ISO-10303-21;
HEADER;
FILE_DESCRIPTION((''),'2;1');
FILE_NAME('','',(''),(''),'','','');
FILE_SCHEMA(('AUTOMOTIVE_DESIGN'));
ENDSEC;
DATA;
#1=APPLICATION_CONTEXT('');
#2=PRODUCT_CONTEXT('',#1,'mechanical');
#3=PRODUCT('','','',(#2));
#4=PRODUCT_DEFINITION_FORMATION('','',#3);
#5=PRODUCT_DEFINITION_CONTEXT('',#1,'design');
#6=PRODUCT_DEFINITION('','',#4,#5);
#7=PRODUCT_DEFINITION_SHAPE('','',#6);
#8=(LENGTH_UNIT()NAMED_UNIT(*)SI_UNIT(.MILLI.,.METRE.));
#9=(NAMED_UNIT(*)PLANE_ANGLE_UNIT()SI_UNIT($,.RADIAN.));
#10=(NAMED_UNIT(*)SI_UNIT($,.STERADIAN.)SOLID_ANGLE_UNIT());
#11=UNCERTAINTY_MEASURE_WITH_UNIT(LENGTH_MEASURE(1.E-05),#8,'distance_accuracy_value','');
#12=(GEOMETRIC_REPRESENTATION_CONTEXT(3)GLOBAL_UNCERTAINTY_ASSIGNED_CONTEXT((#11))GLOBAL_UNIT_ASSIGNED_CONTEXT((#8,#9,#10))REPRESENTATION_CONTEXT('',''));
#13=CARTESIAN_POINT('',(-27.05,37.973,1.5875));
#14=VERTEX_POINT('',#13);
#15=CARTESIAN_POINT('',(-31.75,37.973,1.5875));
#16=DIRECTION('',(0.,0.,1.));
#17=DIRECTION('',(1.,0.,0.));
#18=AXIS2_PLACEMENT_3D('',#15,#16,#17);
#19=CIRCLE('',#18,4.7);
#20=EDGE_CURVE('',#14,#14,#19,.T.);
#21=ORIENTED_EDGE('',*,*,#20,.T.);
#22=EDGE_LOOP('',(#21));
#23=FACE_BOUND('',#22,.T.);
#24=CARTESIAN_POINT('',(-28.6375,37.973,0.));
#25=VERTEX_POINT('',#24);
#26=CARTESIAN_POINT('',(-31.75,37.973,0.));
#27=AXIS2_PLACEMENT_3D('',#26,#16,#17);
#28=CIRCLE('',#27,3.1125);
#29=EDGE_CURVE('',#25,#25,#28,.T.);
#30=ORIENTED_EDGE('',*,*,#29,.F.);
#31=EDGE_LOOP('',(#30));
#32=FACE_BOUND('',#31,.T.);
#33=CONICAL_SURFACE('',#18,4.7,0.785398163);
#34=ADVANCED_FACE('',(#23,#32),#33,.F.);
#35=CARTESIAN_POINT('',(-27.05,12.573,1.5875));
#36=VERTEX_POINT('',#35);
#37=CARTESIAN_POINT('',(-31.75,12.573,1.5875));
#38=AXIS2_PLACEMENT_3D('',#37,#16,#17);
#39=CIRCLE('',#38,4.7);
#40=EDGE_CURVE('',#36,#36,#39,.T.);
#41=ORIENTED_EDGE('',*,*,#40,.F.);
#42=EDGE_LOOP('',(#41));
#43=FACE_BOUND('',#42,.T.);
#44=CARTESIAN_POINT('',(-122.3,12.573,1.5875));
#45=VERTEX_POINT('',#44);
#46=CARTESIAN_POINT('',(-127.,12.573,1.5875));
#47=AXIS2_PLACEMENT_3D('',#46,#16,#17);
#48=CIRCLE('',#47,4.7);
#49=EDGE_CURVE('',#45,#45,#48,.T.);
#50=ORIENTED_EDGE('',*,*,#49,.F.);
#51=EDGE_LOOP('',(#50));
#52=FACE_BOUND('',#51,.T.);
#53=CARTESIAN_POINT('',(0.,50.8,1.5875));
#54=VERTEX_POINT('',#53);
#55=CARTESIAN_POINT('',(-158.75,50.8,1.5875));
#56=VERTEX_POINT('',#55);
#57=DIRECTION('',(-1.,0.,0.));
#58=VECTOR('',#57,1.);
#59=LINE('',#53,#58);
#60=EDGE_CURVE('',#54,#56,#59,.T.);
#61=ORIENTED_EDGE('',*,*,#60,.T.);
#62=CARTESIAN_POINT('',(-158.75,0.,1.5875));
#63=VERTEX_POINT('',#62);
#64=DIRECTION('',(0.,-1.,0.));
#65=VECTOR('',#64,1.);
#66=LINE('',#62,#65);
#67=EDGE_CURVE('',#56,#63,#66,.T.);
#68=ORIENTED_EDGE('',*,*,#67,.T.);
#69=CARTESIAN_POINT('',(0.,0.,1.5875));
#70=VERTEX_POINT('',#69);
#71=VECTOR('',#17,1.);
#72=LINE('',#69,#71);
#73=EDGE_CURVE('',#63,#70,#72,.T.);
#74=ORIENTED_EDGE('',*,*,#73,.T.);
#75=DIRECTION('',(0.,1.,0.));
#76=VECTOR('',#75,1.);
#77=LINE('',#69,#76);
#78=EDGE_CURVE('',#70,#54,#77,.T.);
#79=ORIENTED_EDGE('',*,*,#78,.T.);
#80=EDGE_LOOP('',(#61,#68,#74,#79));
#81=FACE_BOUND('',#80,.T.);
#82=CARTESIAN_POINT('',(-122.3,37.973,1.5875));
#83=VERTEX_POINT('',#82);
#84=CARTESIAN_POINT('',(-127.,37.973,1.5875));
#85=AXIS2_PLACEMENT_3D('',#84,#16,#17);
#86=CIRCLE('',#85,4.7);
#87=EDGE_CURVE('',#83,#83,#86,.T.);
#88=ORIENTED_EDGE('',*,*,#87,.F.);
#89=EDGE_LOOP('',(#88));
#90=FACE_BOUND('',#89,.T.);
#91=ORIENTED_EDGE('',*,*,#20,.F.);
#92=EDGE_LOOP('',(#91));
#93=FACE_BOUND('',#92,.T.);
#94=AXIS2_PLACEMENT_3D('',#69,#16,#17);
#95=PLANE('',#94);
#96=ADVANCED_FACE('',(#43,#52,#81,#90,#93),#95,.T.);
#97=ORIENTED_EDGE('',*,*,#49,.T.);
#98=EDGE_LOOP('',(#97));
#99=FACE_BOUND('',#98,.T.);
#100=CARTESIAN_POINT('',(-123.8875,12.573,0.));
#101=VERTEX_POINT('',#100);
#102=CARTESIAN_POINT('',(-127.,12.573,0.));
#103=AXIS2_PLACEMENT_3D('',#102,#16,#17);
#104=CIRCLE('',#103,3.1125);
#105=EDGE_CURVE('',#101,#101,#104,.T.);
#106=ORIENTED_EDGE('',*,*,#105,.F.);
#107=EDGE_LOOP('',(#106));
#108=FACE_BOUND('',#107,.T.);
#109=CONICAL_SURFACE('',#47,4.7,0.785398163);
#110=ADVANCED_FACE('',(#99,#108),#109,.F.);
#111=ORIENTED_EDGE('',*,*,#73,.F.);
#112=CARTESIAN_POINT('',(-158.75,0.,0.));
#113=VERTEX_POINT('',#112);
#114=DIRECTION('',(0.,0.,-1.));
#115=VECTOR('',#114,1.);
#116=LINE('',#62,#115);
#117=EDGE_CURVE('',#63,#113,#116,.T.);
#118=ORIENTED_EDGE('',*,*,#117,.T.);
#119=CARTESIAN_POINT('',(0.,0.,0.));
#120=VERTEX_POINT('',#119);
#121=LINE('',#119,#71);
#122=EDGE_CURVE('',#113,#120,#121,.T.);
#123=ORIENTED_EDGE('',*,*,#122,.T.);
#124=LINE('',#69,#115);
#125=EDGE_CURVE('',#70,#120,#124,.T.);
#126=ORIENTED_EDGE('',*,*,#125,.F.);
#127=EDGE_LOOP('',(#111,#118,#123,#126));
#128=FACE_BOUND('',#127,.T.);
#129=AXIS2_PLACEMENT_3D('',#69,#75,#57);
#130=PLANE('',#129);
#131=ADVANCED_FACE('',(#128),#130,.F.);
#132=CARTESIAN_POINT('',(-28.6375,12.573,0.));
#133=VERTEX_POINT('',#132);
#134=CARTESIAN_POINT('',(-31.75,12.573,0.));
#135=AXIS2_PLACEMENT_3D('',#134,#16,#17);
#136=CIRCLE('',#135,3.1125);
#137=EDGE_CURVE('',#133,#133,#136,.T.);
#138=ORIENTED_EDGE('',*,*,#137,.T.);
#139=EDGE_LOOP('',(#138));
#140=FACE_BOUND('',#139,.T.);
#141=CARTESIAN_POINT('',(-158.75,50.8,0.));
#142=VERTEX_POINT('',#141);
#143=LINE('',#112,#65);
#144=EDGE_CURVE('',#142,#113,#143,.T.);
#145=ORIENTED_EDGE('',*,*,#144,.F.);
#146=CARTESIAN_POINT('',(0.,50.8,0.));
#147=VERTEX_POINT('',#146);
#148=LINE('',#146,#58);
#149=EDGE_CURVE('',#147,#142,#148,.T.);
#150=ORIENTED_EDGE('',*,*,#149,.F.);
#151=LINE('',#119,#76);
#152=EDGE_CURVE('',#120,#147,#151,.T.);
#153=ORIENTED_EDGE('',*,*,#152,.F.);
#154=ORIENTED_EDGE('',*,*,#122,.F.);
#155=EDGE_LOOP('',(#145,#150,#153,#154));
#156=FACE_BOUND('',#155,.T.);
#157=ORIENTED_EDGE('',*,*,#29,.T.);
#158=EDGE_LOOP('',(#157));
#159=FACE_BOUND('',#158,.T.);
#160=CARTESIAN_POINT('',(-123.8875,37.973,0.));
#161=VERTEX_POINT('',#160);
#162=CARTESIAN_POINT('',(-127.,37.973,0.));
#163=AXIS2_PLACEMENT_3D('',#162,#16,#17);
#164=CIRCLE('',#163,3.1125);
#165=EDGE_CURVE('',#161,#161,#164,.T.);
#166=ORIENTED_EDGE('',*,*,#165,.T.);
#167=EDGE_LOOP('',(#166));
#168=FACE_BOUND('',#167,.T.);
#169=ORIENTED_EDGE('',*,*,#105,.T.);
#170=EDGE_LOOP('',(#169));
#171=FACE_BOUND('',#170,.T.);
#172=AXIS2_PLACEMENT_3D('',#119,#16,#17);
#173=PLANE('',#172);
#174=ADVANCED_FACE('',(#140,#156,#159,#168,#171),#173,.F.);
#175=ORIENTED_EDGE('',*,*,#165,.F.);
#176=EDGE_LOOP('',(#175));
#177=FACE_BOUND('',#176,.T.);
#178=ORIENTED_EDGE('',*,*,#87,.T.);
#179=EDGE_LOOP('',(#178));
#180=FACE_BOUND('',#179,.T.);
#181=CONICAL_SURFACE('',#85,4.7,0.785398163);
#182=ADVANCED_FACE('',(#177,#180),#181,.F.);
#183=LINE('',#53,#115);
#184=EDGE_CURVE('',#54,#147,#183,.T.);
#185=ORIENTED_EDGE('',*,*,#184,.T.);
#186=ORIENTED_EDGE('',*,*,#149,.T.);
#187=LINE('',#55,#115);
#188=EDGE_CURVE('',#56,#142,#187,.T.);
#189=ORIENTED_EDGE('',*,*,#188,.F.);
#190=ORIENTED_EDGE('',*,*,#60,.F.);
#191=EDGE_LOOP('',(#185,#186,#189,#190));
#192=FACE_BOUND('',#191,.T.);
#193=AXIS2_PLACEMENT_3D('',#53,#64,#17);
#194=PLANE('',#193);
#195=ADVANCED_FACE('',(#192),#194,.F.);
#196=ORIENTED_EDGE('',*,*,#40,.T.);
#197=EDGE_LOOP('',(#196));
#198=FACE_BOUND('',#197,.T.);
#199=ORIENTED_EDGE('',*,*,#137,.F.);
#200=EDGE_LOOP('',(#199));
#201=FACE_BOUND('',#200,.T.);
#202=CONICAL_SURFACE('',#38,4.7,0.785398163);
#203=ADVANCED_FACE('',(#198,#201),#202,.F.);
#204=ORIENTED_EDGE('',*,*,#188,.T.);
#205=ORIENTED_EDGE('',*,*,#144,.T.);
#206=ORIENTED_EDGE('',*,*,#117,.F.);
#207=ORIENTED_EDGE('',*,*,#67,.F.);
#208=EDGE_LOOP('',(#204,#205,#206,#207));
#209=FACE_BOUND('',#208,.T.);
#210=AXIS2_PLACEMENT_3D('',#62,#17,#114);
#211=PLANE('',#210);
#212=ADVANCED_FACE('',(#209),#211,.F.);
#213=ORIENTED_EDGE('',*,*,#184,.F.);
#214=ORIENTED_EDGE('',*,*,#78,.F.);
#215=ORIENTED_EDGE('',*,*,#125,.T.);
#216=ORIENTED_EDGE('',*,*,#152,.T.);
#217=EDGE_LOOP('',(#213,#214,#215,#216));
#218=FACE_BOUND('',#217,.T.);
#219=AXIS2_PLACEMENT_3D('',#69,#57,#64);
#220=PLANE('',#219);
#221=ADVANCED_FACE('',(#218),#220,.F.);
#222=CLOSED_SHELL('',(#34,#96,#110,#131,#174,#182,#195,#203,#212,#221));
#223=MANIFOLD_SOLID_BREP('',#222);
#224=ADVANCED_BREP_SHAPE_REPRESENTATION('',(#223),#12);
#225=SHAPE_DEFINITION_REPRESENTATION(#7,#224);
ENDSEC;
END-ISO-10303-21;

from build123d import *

# Parameters (mm, degrees)
SKETCH1_W                                      = 158.75
SKETCH1_H                                      = 50.8
BOSS_EXTRUDE1_DEPTH                            = 1.5875
CSK_FOR_M4_FLAT_HEAD_MACHINE_SCREW1_AT_2_COUNT = 2
CSK_FOR_M4_FLAT_HEAD_MACHINE_SCREW1_AT_2_PITCH = 25.4
CSK_FOR_M4_FLAT_HEAD_MACHINE_SCREW1_AT_3_COUNT = 2
CSK_FOR_M4_FLAT_HEAD_MACHINE_SCREW1_AT_3_PITCH = 98.578509321
CSK_FOR_M4_FLAT_HEAD_MACHINE_SCREW1_AT_4_COUNT = 2
CSK_FOR_M4_FLAT_HEAD_MACHINE_SCREW1_AT_4_PITCH = 95.25


with BuildPart() as part:
    # Sketch1 → Boss-Extrude1 (new body)
    with BuildSketch(Plane.XY):
        with Locations((-79.375, 25.4)):
            Rectangle(SKETCH1_W, SKETCH1_H)
    extrude(amount=BOSS_EXTRUDE1_DEPTH)

    # Sketch2 → CSK for M4 Flat Head Machine Screw1 (revolve, cut)
    with BuildSketch(Plane(origin=(-127, 37.973, 1.5875), x_dir=(0, -1, 0), z_dir=(1, 0, 0))):
        Polygon((0, 0), (0, 1.5875), (2.25, 1.5875), (2.25, 2.45), (4.7, 0), align=None)
    csk_for_m4_flat_head_machine_screw1 = revolve(axis=Axis((-127, 37.973, 7.9375), (0, 0, -1)), mode=Mode.SUBTRACT)

    # CSK for M4 Flat Head Machine Screw1 at 2: CSK for M4 Flat Head Machine Screw1 ×2
    with Locations(*[(0, -i * CSK_FOR_M4_FLAT_HEAD_MACHINE_SCREW1_AT_2_PITCH, 0) for i in range(1, CSK_FOR_M4_FLAT_HEAD_MACHINE_SCREW1_AT_2_COUNT)]):
        add(csk_for_m4_flat_head_machine_screw1, mode=Mode.SUBTRACT)

    # CSK for M4 Flat Head Machine Screw1 at 3: CSK for M4 Flat Head Machine Screw1 ×2
    with Locations(*[Vector(0.9662349396012463, -0.25766265056033233, 0) * (i * CSK_FOR_M4_FLAT_HEAD_MACHINE_SCREW1_AT_3_PITCH) for i in range(1, CSK_FOR_M4_FLAT_HEAD_MACHINE_SCREW1_AT_3_COUNT)]):
        add(csk_for_m4_flat_head_machine_screw1, mode=Mode.SUBTRACT)

    # CSK for M4 Flat Head Machine Screw1 at 4: CSK for M4 Flat Head Machine Screw1 ×2
    with Locations(*[(i * CSK_FOR_M4_FLAT_HEAD_MACHINE_SCREW1_AT_4_PITCH, 0, 0) for i in range(1, CSK_FOR_M4_FLAT_HEAD_MACHINE_SCREW1_AT_4_COUNT)]):
        add(csk_for_m4_flat_head_machine_screw1, mode=Mode.SUBTRACT)


solid = part.part
